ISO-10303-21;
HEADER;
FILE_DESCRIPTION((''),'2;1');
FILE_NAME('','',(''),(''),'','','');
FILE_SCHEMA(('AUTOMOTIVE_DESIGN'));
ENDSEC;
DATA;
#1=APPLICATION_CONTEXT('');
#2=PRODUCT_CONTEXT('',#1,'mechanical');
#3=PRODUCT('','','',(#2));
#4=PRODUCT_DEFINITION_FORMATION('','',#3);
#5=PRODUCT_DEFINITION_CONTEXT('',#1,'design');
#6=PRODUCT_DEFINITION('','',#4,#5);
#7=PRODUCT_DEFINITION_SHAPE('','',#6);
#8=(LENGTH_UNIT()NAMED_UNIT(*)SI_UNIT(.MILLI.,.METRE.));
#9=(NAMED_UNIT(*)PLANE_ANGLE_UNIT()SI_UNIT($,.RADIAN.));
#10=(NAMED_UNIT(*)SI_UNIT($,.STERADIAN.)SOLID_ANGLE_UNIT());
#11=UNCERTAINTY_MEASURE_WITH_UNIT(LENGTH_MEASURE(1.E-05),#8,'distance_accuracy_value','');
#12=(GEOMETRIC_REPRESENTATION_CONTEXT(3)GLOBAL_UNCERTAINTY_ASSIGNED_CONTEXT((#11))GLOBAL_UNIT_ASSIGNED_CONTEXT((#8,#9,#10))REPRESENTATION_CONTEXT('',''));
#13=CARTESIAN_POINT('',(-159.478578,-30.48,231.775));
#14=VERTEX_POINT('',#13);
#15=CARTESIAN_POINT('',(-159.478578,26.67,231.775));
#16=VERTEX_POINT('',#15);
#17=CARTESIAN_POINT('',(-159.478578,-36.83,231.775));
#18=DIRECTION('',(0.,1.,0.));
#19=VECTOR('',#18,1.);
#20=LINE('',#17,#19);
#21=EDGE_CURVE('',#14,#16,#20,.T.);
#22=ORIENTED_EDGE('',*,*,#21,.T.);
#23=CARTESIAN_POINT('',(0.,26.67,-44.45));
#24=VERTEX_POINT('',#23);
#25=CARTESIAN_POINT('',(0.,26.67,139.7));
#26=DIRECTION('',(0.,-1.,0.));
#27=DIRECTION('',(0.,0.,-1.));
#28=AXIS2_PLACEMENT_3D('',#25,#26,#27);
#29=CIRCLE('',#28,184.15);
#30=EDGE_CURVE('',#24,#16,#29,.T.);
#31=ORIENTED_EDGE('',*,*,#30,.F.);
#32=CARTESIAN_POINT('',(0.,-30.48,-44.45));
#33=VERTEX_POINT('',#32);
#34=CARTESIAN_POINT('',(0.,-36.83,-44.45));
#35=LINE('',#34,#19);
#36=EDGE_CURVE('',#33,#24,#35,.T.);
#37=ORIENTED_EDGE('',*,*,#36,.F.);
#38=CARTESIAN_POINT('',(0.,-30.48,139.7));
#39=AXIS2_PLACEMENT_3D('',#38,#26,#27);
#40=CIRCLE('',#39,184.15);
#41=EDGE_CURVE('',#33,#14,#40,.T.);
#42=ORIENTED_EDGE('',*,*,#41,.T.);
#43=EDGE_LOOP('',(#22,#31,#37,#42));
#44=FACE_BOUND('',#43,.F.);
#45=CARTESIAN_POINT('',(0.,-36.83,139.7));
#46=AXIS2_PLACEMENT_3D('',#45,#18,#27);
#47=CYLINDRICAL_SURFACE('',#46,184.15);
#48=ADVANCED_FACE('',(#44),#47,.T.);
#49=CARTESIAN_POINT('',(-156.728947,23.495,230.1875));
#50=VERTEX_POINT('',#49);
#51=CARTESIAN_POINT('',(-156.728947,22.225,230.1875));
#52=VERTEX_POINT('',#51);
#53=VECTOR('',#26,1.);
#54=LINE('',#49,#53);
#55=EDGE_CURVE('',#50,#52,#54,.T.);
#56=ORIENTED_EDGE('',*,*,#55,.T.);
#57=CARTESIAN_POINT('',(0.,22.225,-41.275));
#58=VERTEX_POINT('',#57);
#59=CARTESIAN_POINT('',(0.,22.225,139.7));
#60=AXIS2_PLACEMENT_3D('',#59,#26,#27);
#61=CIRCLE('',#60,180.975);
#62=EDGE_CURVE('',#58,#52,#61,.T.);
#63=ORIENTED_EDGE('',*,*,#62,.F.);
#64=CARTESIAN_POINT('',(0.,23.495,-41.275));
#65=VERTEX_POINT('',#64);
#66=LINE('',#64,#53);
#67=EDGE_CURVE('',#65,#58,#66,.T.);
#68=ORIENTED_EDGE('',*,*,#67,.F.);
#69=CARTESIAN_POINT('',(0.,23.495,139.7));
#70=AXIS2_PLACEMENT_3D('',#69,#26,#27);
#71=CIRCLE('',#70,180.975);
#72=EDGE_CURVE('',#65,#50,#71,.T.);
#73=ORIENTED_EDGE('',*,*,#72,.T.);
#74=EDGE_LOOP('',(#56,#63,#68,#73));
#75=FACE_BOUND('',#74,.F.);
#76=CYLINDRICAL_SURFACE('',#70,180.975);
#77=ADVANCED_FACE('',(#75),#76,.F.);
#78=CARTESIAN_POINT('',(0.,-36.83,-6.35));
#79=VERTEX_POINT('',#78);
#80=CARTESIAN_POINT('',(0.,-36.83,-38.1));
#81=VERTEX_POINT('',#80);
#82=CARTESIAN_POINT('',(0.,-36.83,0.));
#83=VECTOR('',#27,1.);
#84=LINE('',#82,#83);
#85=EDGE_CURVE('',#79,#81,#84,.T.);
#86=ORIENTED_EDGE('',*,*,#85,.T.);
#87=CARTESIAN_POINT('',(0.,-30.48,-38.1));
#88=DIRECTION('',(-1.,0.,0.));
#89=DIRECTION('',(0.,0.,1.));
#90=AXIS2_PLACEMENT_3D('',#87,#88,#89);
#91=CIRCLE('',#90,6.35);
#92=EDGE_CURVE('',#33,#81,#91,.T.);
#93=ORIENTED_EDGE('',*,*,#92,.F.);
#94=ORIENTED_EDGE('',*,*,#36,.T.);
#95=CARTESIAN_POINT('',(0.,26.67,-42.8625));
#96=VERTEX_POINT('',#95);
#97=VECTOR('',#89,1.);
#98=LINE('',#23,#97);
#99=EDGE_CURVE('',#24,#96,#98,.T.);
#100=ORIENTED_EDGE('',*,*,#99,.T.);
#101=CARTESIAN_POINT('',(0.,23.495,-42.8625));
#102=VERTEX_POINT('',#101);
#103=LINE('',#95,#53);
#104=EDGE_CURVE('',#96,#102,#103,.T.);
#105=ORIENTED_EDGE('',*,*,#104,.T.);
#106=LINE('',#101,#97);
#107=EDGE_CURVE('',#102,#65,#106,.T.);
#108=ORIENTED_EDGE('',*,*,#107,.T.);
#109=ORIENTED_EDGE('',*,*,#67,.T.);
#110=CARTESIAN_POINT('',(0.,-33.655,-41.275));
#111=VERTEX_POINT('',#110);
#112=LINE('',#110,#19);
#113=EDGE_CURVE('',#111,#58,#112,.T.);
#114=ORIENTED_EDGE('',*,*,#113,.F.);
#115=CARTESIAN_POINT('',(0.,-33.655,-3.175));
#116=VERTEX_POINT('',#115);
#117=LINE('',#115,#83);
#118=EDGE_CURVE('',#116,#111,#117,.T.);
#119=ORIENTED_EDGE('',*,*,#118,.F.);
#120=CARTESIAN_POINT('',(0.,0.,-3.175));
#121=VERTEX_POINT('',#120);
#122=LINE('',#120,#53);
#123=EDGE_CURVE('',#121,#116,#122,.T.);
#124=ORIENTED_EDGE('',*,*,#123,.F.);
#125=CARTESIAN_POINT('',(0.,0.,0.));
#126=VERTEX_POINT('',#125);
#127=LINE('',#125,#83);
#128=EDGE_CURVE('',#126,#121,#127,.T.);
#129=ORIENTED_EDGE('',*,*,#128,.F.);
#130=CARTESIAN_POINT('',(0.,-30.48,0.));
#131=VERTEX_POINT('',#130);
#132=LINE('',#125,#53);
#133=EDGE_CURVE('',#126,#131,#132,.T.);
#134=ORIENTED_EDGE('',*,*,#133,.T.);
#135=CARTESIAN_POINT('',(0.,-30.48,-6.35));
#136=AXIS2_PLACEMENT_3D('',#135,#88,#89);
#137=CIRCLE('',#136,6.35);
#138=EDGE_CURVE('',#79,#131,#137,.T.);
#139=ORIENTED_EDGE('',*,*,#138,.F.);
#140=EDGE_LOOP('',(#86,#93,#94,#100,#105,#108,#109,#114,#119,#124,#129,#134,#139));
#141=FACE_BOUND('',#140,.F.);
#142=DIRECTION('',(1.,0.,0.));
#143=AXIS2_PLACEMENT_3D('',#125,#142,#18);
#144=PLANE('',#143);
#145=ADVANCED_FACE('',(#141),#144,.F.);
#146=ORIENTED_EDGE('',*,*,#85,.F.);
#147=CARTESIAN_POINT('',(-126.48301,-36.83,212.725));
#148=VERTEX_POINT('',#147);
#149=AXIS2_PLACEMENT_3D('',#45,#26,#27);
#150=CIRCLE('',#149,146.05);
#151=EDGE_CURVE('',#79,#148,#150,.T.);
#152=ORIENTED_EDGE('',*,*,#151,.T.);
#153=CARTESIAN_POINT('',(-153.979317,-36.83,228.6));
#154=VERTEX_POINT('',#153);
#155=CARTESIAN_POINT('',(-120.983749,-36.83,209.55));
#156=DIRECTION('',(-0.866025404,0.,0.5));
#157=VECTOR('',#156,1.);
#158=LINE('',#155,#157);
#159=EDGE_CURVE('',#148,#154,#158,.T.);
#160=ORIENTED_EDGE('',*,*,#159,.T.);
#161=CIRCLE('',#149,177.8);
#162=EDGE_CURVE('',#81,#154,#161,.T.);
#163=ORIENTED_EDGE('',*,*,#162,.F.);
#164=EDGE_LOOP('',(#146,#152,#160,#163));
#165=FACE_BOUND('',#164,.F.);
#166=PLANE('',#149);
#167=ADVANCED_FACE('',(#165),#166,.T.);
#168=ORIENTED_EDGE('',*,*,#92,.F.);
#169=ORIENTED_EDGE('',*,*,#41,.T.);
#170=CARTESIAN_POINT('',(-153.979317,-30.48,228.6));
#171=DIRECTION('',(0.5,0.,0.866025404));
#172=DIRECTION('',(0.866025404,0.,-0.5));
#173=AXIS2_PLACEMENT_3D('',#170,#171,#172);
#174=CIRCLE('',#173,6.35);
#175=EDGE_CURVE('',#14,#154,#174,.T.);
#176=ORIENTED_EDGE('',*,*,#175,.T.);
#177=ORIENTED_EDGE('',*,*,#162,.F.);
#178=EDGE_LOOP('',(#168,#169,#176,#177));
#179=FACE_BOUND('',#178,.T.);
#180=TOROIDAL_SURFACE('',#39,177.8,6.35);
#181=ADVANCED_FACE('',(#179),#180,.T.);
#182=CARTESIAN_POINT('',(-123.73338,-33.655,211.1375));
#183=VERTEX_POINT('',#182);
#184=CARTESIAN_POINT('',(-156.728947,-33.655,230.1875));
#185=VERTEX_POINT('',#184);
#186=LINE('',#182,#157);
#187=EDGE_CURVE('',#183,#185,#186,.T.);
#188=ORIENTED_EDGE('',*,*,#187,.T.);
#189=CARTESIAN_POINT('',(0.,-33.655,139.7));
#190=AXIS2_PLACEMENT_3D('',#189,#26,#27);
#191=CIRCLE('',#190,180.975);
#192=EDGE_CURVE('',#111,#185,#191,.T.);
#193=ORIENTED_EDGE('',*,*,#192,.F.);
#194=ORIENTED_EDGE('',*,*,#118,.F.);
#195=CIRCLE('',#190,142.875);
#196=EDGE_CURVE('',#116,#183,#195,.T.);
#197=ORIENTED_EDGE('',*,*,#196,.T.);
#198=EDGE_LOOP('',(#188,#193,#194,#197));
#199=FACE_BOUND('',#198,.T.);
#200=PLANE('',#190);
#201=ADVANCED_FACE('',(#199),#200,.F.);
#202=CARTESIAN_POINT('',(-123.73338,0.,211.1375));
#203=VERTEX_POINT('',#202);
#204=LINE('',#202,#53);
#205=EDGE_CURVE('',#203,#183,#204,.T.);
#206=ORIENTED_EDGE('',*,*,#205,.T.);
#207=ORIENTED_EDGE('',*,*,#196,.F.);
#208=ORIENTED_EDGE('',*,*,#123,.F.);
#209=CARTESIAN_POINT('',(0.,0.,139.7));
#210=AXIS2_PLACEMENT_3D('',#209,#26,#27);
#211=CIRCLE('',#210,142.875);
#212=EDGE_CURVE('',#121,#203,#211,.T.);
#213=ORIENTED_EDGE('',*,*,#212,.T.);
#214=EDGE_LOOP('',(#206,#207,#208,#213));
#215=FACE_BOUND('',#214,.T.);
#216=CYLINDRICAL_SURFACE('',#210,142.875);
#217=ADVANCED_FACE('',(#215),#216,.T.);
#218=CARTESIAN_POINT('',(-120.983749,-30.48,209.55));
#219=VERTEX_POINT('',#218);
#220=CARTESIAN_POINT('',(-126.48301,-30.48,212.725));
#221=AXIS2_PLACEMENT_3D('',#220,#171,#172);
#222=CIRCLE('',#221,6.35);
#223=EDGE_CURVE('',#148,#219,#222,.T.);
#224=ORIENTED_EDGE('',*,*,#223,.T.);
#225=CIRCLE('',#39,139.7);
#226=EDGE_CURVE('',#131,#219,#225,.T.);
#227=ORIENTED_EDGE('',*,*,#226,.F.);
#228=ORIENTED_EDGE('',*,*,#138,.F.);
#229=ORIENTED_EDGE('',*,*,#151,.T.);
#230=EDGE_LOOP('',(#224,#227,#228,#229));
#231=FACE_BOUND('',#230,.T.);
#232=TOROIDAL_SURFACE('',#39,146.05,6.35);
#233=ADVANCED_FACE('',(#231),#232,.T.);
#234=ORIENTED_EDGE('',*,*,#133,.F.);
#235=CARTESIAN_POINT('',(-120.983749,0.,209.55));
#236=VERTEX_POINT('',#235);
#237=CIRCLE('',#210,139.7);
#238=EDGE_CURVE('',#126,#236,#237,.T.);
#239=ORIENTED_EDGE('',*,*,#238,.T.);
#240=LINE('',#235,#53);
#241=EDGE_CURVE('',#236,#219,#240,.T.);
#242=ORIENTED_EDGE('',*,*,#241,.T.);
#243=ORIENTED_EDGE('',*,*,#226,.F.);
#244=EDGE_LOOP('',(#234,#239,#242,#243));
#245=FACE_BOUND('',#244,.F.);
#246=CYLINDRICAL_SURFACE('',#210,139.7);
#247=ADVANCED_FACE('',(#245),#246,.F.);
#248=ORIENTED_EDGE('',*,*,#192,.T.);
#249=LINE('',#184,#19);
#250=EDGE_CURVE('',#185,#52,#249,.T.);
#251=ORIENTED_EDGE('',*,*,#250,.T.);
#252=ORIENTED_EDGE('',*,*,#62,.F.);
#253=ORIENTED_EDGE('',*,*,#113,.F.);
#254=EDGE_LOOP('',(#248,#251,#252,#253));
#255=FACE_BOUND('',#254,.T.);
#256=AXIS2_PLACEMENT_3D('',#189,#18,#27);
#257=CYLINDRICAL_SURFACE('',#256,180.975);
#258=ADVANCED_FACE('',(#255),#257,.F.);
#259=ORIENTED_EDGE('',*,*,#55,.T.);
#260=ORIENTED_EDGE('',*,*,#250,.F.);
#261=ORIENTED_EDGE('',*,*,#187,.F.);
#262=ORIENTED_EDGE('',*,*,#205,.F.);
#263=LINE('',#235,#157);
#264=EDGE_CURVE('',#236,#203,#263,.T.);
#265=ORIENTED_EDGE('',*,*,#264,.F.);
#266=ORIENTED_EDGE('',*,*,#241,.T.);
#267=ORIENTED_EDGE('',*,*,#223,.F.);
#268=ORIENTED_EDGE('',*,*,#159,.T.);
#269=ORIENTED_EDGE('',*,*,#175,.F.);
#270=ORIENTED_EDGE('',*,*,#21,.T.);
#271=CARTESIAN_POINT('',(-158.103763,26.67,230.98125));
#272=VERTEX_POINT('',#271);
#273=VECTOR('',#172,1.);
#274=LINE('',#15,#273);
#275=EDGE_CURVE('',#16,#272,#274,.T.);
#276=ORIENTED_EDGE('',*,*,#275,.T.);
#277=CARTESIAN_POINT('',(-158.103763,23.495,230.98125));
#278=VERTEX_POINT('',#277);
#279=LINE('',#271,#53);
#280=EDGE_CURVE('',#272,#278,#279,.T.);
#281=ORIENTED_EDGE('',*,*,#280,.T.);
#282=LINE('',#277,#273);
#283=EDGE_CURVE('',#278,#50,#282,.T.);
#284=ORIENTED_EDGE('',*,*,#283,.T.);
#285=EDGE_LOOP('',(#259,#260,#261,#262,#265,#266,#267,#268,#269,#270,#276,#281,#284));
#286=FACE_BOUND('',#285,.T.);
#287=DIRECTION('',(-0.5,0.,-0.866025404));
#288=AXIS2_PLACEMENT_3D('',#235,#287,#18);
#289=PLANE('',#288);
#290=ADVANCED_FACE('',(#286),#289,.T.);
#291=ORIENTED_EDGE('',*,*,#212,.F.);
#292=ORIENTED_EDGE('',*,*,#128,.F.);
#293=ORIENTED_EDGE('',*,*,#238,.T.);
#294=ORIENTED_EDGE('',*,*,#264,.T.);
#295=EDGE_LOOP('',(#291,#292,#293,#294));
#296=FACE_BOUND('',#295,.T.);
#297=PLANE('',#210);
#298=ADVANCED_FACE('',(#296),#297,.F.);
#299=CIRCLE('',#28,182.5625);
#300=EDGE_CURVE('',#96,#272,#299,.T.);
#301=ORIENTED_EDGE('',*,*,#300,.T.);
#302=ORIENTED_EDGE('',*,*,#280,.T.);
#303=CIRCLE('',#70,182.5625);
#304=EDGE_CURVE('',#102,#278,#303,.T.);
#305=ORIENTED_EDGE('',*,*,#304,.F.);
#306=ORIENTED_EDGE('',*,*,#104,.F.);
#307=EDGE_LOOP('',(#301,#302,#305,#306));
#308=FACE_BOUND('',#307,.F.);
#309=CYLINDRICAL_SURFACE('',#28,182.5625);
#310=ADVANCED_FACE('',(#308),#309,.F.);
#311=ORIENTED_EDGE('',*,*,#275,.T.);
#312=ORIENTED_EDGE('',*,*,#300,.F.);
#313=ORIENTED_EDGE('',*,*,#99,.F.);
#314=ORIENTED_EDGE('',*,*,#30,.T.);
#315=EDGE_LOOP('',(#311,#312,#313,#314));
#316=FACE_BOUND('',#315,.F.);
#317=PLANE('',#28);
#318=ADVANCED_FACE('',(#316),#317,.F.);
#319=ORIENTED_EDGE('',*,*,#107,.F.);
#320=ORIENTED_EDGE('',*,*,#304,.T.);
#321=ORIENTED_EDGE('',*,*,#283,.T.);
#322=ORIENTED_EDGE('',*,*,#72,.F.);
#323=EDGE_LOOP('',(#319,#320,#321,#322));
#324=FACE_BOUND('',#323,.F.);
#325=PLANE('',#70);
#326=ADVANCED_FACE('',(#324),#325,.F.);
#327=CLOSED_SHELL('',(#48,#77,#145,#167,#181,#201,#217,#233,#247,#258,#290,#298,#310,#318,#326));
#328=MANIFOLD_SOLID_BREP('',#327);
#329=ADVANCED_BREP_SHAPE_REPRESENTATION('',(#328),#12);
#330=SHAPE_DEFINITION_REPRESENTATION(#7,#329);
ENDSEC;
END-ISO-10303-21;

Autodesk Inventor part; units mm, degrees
ref_plane "YZ Plane" through (0, 0, 0) normal (1, 0, 0) x (0, 1, 0)
ref_plane "XZ Plane" through (0, 0, 0) normal (0, 1, 0) x (-1, 0, 0)
ref_plane "XY Plane" through (0, 0, 0) normal (0, 0, 1) x (1, 0, 0)
sketch "Sketch1" plane through (0, 0, 0) normal (1, 0, 0) x (0, 1, 0)
  line L0 (0, 0) -> (-36.83, 0)
  line L1 (-36.83, 0) -> (-36.83, -44.45)
  line L2 (-36.83, -44.45) -> (26.67, -44.45)
  line L3 (26.67, -44.45) -> (26.67, -42.8625)
  line L4 (26.67, -42.8625) -> (23.495, -42.8625)
  line L5 (23.495, -42.8625) -> (23.495, -41.275)
  line L6 (0, 0) -> (0, -3.175)
  line L7 (0, -3.175) -> (-33.655, -3.175)
  line L8 (-33.655, -3.175) -> (-33.655, -41.275)
  line L9 (-33.655, -41.275) -> (22.225, -41.275)
  line L10 (51.7821, 139.7) -> (-41.1614, 139.7)
  line L11 (23.495, -41.275) -> (22.225, -41.275)
  dimension "d10" = 36.83
  dimension "d11" = 44.45
  dimension "d12" = 63.5
  dimension "d13" = 1.5875
  dimension "d14" = 3.175
  dimension "d15" = 1.5875
  dimension "d16" = 3.175
  dimension "d17" = 33.655
  dimension "d18" = 38.1
  dimension "d19" = 139.7
  dimension "d20" = 55.88
revolve "Revolution1" add sketch "Sketch1" angle 240 about axis through (0, 51.7821, 139.7) along (0, -1, 0)
fillet "Fillet1" radius 6.35 2 edges at (159.4786, -36.83, 231.775) (120.9837, -36.83, 209.55)
properties part number "Bottom"
